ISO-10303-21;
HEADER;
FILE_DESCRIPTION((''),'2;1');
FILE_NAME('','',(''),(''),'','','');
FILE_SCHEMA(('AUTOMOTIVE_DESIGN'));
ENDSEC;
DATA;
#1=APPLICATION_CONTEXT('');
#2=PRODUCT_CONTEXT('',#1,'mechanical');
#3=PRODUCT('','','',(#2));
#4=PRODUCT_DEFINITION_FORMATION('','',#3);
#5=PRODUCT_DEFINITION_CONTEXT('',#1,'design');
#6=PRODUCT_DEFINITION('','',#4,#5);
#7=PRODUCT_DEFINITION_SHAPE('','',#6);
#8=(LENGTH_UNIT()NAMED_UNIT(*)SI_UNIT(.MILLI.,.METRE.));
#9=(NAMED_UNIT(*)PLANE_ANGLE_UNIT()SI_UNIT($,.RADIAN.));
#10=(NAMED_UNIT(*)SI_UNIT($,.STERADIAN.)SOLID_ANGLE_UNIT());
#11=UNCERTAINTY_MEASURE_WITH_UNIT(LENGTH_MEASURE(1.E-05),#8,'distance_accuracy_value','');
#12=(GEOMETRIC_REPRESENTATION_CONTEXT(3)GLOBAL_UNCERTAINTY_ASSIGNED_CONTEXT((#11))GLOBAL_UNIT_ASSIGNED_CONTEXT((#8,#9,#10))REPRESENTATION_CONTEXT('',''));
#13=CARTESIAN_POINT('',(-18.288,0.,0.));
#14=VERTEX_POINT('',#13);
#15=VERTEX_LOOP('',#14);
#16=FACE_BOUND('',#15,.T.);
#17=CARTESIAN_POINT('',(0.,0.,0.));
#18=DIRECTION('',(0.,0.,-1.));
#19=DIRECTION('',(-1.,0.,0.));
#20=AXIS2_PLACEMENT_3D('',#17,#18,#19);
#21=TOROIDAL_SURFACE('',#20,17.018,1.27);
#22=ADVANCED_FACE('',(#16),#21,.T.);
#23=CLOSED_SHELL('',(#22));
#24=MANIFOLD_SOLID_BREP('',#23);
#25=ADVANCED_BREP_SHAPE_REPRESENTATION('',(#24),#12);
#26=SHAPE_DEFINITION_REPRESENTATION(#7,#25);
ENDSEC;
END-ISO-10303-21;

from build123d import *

# Parameters (mm, degrees)
SKETCH1_R = 1.27


with BuildPart() as part:
    # Sketch1 → Revolve1 (revolve)
    with BuildSketch(Plane(origin=(0, 0, 0), x_dir=(1, 0, 0), z_dir=(0, 1, 0)), mode=Mode.PRIVATE) as revolve1_sk:
        with Locations((17.018, 0)):
            Circle(SKETCH1_R)
    revolve(revolve1_sk.sketch.rotate(Axis((0, 0, -37.521712425), (0, 0, 1)), 180), axis=Axis((0, 0, -37.521712425), (0, 0, 1)))


solid = part.part
